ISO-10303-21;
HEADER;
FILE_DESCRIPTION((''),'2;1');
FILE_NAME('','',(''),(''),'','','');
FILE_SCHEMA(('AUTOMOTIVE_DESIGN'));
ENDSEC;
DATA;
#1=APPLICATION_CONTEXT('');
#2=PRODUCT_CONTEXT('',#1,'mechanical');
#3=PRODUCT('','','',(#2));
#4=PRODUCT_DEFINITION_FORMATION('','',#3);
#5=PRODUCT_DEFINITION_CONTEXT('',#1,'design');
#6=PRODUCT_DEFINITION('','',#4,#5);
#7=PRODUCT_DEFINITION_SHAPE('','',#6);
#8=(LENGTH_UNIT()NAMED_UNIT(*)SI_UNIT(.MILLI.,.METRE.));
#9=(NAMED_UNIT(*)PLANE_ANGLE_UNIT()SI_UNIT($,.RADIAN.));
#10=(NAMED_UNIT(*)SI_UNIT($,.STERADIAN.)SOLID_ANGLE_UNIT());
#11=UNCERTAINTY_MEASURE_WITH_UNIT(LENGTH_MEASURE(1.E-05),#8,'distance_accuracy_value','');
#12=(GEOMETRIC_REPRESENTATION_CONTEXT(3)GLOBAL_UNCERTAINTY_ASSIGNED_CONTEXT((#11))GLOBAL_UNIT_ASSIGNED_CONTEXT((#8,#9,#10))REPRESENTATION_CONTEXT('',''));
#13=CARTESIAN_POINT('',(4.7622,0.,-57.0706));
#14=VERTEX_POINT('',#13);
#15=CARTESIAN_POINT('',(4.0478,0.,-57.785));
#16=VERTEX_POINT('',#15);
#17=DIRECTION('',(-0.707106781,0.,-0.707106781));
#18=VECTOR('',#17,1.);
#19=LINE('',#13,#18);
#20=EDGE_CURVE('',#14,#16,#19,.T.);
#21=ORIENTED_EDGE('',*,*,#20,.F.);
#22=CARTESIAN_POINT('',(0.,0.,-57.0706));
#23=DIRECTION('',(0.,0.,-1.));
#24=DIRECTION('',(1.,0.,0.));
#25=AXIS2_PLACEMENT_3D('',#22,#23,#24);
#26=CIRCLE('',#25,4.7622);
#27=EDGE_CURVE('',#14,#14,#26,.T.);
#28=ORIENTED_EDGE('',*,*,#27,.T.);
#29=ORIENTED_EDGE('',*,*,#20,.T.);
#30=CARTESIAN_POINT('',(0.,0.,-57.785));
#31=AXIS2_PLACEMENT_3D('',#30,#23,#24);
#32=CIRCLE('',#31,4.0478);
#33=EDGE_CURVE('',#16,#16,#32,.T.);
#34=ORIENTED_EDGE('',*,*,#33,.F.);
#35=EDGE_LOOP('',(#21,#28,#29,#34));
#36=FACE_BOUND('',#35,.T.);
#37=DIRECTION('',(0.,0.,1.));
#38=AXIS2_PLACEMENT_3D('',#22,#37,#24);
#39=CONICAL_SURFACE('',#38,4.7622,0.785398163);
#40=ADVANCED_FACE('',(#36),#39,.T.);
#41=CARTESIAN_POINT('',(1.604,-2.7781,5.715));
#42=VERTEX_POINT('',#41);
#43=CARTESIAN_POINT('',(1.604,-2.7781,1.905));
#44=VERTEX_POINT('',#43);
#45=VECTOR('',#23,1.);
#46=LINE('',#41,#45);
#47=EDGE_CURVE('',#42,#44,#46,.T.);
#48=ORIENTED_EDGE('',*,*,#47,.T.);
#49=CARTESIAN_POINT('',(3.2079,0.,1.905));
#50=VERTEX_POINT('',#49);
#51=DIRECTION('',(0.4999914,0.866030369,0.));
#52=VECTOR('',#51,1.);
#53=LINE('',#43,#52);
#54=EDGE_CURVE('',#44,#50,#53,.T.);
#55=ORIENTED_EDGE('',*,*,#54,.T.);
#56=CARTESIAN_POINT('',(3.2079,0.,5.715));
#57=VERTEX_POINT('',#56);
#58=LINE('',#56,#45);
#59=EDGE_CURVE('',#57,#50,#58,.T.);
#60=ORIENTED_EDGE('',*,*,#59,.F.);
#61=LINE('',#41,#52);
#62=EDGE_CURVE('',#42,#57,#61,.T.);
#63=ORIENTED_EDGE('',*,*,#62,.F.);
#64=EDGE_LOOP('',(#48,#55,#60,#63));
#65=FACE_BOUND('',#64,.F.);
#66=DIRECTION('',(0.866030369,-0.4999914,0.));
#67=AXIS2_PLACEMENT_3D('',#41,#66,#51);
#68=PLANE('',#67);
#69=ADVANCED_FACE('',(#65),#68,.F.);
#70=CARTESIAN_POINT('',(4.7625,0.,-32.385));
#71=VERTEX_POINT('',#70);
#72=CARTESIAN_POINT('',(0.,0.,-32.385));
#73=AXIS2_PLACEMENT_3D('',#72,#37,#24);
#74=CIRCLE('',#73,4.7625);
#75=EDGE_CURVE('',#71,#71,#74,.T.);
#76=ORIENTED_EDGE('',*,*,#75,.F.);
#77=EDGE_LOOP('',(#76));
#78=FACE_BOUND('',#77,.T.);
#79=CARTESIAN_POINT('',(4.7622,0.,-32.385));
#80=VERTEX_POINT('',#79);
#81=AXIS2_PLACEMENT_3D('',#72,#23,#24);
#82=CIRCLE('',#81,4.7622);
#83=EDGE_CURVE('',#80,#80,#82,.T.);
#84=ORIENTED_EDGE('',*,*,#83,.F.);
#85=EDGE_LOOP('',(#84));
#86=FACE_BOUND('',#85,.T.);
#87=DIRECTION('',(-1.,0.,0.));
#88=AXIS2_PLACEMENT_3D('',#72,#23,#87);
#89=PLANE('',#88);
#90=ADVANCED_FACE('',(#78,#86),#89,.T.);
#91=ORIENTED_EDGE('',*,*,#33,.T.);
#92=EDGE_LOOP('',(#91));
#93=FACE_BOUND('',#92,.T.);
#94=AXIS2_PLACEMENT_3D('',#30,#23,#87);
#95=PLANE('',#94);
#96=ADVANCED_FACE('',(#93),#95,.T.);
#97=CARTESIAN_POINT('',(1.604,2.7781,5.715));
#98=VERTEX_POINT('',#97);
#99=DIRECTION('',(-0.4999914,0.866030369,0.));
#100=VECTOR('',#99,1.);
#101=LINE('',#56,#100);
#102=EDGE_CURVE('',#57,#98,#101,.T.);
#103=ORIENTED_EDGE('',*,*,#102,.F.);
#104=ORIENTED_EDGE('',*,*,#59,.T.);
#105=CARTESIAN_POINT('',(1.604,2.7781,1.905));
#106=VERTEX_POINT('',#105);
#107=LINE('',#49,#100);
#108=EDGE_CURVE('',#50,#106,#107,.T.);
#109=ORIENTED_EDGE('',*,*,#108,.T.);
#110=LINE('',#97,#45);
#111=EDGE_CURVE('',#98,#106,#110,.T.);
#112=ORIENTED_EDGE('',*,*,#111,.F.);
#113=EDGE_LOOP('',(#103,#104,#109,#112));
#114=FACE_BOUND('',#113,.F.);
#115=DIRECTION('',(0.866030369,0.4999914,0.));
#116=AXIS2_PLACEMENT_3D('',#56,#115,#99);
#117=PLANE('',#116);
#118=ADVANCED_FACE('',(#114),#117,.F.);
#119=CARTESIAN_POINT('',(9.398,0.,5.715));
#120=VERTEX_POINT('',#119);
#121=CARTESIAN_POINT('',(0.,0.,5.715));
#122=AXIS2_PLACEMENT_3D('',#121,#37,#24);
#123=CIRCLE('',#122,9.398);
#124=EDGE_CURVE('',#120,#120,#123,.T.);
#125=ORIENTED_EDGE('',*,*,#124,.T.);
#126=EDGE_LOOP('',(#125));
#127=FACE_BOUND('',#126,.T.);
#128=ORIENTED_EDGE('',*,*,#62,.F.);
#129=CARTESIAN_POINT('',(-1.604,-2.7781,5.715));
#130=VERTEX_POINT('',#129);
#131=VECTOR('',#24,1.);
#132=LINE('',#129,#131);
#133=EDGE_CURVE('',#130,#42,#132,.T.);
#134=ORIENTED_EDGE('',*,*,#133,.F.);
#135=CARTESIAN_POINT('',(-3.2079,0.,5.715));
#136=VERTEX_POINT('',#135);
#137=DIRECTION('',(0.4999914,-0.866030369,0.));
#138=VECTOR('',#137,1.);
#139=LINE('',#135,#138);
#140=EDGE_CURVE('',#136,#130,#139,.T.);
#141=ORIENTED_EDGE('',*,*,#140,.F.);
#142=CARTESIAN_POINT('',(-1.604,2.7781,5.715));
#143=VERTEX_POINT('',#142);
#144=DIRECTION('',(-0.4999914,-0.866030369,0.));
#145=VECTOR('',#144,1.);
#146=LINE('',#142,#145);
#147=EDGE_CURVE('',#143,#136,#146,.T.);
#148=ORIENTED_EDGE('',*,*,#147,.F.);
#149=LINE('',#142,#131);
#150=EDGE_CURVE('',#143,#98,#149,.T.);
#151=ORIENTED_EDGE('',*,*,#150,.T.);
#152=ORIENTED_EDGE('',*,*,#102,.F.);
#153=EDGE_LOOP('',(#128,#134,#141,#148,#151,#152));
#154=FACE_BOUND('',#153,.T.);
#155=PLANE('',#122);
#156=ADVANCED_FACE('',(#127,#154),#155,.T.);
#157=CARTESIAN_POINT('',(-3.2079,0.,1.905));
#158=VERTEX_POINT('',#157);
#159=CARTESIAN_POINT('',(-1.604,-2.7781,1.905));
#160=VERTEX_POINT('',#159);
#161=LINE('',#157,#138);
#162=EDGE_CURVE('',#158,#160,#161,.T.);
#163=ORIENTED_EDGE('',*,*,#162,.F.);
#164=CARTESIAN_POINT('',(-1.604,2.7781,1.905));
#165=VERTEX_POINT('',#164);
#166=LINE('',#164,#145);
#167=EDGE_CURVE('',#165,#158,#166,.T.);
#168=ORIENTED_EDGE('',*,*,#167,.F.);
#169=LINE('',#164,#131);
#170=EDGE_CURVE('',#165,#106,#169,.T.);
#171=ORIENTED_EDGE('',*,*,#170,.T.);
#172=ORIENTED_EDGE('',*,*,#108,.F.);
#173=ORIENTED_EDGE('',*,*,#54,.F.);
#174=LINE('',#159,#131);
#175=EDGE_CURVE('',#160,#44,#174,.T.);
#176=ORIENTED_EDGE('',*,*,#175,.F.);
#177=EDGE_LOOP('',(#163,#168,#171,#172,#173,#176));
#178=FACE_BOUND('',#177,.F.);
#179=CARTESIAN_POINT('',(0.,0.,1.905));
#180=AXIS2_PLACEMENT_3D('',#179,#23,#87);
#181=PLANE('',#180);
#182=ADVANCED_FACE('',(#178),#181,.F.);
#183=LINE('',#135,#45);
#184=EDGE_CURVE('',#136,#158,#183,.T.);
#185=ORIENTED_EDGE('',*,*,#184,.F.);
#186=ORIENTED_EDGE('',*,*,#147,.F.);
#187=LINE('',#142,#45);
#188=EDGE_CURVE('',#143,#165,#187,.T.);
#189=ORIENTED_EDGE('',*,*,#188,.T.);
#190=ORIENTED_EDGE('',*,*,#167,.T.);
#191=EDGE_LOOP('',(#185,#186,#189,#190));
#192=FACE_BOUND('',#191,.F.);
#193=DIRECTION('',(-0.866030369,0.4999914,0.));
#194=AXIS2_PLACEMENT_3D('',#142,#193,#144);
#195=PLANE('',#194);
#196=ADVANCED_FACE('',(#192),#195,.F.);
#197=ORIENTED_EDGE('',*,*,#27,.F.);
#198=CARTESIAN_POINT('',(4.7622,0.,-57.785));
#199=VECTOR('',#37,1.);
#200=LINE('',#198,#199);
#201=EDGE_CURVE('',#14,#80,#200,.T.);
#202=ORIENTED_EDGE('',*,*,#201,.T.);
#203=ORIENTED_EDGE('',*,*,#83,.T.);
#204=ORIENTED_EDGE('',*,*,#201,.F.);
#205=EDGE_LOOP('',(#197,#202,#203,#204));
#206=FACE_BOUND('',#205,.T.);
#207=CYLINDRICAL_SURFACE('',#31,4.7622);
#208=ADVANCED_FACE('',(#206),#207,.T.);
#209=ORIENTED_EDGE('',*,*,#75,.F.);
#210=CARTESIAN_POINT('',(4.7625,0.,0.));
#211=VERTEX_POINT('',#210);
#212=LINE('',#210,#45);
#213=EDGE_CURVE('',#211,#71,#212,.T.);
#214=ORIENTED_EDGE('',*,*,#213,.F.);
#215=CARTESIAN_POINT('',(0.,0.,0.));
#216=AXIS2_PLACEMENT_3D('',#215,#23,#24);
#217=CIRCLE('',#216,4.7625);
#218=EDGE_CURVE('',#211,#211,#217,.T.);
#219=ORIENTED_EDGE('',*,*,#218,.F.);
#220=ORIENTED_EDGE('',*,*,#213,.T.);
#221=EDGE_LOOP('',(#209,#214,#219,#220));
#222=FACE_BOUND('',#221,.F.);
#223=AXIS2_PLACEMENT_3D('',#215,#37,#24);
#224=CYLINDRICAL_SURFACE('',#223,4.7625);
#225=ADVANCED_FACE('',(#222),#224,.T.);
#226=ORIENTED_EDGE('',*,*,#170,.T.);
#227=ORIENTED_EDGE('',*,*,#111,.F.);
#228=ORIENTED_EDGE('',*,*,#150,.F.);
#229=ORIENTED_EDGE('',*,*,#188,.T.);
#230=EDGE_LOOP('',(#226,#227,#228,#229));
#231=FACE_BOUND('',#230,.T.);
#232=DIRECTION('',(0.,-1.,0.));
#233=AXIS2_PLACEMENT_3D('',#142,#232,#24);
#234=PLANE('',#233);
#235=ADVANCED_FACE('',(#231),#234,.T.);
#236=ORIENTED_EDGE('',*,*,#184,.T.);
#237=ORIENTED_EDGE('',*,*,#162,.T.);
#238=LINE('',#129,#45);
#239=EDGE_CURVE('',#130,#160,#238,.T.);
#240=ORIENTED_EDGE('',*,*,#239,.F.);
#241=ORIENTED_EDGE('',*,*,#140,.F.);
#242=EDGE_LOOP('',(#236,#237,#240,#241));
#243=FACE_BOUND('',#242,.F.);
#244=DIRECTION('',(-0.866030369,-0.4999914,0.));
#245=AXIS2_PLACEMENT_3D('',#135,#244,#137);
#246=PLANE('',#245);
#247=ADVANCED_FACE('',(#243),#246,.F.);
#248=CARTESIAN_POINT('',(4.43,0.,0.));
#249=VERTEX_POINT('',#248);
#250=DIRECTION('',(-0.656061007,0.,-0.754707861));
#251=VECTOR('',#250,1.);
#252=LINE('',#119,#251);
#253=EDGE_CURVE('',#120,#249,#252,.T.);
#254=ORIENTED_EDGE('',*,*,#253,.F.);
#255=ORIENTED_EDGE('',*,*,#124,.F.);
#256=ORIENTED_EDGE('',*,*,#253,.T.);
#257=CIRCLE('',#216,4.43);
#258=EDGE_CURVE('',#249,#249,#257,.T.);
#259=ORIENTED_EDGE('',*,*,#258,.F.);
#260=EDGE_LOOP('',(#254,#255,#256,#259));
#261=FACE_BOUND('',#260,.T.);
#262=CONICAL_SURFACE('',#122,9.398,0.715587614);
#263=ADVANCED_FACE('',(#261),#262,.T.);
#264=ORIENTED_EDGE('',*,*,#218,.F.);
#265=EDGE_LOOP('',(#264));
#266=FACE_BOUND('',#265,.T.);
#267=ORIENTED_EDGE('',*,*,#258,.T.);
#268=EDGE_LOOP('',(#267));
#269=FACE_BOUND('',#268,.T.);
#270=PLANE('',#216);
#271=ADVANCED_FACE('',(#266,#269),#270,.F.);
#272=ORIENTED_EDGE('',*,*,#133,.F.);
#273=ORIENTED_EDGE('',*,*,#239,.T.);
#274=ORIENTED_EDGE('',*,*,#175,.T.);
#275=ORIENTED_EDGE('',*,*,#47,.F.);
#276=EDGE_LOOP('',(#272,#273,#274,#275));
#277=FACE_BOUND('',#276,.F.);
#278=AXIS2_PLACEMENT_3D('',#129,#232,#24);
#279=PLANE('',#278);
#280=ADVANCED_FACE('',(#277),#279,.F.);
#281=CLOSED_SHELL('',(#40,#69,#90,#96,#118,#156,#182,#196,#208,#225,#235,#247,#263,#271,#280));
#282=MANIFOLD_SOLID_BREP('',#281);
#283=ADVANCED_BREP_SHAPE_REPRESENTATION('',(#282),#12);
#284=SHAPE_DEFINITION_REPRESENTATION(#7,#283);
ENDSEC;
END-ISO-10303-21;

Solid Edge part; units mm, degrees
sketch "Sketch1" plane through (0, 0, 0) normal (0, 0, 1) x (1, 0, 0)
  circle A0 centre (0, 0) radius 9.398
  dimension "D1" = 18.796
extrude "Protrusion1" add sketch "Sketch1" along normal blind 5.715
sketch "Sketch2" plane through (0, 0, 0) normal (0, 0, -1) x (1, 0, 0)
  circle A0 centre (0, 0) radius 4.7625
extrude "Protrusion2" add sketch "Sketch2" along normal blind 57.785
sketch "Sketch3" plane through (0, 0, -57.785) normal (0, 0, -1) x (1, 0, 0)
  circle A0 centre (0, 0) radius 4.7622
extrude "Cutout1" cut sketch "Sketch3" against normal blind 25.4 flip side to cut
chamfer "Chamfer_1" distance 0.7144 angle 45 1 edges at (-4.7622, 0, -57.785)
sketch "Sketch4" plane through (0, 0, 5.715) normal (0, 0, 1) x (1, 0, 0)
  line L0 (-1.604, 2.7781) -> (1.604, 2.7781)
  line L1 (3.2079, 0) -> (1.604, 2.7781)
  line L2 (1.604, -2.7781) -> (3.2079, 0)
  line L3 (-1.604, -2.7781) -> (1.604, -2.7781)
  line L4 (-3.2079, 0) -> (-1.604, -2.7781)
  line L5 (-1.604, 2.7781) -> (-3.2079, 0)
  dimension "D1" = 5.5562
extrude "Cutout2" cut sketch "Sketch4" against normal blind 3.81
sketch "Sketch5" plane through (0, 0, 0) normal (0, -1, 0) x (1, 0, 0)
  line L0 (9.398, 5.715) -> (4.43, 0)
  line L1 (4.43, 0) -> (9.398, 0)
  line L2 (9.398, 0) -> (9.398, 5.715)
revolve "RevolvedCutout1" cut sketch "Sketch5" angle 360 about axis through (0, 0, 14.0017) along (0, 0, -1)
properties part number "24101984"
